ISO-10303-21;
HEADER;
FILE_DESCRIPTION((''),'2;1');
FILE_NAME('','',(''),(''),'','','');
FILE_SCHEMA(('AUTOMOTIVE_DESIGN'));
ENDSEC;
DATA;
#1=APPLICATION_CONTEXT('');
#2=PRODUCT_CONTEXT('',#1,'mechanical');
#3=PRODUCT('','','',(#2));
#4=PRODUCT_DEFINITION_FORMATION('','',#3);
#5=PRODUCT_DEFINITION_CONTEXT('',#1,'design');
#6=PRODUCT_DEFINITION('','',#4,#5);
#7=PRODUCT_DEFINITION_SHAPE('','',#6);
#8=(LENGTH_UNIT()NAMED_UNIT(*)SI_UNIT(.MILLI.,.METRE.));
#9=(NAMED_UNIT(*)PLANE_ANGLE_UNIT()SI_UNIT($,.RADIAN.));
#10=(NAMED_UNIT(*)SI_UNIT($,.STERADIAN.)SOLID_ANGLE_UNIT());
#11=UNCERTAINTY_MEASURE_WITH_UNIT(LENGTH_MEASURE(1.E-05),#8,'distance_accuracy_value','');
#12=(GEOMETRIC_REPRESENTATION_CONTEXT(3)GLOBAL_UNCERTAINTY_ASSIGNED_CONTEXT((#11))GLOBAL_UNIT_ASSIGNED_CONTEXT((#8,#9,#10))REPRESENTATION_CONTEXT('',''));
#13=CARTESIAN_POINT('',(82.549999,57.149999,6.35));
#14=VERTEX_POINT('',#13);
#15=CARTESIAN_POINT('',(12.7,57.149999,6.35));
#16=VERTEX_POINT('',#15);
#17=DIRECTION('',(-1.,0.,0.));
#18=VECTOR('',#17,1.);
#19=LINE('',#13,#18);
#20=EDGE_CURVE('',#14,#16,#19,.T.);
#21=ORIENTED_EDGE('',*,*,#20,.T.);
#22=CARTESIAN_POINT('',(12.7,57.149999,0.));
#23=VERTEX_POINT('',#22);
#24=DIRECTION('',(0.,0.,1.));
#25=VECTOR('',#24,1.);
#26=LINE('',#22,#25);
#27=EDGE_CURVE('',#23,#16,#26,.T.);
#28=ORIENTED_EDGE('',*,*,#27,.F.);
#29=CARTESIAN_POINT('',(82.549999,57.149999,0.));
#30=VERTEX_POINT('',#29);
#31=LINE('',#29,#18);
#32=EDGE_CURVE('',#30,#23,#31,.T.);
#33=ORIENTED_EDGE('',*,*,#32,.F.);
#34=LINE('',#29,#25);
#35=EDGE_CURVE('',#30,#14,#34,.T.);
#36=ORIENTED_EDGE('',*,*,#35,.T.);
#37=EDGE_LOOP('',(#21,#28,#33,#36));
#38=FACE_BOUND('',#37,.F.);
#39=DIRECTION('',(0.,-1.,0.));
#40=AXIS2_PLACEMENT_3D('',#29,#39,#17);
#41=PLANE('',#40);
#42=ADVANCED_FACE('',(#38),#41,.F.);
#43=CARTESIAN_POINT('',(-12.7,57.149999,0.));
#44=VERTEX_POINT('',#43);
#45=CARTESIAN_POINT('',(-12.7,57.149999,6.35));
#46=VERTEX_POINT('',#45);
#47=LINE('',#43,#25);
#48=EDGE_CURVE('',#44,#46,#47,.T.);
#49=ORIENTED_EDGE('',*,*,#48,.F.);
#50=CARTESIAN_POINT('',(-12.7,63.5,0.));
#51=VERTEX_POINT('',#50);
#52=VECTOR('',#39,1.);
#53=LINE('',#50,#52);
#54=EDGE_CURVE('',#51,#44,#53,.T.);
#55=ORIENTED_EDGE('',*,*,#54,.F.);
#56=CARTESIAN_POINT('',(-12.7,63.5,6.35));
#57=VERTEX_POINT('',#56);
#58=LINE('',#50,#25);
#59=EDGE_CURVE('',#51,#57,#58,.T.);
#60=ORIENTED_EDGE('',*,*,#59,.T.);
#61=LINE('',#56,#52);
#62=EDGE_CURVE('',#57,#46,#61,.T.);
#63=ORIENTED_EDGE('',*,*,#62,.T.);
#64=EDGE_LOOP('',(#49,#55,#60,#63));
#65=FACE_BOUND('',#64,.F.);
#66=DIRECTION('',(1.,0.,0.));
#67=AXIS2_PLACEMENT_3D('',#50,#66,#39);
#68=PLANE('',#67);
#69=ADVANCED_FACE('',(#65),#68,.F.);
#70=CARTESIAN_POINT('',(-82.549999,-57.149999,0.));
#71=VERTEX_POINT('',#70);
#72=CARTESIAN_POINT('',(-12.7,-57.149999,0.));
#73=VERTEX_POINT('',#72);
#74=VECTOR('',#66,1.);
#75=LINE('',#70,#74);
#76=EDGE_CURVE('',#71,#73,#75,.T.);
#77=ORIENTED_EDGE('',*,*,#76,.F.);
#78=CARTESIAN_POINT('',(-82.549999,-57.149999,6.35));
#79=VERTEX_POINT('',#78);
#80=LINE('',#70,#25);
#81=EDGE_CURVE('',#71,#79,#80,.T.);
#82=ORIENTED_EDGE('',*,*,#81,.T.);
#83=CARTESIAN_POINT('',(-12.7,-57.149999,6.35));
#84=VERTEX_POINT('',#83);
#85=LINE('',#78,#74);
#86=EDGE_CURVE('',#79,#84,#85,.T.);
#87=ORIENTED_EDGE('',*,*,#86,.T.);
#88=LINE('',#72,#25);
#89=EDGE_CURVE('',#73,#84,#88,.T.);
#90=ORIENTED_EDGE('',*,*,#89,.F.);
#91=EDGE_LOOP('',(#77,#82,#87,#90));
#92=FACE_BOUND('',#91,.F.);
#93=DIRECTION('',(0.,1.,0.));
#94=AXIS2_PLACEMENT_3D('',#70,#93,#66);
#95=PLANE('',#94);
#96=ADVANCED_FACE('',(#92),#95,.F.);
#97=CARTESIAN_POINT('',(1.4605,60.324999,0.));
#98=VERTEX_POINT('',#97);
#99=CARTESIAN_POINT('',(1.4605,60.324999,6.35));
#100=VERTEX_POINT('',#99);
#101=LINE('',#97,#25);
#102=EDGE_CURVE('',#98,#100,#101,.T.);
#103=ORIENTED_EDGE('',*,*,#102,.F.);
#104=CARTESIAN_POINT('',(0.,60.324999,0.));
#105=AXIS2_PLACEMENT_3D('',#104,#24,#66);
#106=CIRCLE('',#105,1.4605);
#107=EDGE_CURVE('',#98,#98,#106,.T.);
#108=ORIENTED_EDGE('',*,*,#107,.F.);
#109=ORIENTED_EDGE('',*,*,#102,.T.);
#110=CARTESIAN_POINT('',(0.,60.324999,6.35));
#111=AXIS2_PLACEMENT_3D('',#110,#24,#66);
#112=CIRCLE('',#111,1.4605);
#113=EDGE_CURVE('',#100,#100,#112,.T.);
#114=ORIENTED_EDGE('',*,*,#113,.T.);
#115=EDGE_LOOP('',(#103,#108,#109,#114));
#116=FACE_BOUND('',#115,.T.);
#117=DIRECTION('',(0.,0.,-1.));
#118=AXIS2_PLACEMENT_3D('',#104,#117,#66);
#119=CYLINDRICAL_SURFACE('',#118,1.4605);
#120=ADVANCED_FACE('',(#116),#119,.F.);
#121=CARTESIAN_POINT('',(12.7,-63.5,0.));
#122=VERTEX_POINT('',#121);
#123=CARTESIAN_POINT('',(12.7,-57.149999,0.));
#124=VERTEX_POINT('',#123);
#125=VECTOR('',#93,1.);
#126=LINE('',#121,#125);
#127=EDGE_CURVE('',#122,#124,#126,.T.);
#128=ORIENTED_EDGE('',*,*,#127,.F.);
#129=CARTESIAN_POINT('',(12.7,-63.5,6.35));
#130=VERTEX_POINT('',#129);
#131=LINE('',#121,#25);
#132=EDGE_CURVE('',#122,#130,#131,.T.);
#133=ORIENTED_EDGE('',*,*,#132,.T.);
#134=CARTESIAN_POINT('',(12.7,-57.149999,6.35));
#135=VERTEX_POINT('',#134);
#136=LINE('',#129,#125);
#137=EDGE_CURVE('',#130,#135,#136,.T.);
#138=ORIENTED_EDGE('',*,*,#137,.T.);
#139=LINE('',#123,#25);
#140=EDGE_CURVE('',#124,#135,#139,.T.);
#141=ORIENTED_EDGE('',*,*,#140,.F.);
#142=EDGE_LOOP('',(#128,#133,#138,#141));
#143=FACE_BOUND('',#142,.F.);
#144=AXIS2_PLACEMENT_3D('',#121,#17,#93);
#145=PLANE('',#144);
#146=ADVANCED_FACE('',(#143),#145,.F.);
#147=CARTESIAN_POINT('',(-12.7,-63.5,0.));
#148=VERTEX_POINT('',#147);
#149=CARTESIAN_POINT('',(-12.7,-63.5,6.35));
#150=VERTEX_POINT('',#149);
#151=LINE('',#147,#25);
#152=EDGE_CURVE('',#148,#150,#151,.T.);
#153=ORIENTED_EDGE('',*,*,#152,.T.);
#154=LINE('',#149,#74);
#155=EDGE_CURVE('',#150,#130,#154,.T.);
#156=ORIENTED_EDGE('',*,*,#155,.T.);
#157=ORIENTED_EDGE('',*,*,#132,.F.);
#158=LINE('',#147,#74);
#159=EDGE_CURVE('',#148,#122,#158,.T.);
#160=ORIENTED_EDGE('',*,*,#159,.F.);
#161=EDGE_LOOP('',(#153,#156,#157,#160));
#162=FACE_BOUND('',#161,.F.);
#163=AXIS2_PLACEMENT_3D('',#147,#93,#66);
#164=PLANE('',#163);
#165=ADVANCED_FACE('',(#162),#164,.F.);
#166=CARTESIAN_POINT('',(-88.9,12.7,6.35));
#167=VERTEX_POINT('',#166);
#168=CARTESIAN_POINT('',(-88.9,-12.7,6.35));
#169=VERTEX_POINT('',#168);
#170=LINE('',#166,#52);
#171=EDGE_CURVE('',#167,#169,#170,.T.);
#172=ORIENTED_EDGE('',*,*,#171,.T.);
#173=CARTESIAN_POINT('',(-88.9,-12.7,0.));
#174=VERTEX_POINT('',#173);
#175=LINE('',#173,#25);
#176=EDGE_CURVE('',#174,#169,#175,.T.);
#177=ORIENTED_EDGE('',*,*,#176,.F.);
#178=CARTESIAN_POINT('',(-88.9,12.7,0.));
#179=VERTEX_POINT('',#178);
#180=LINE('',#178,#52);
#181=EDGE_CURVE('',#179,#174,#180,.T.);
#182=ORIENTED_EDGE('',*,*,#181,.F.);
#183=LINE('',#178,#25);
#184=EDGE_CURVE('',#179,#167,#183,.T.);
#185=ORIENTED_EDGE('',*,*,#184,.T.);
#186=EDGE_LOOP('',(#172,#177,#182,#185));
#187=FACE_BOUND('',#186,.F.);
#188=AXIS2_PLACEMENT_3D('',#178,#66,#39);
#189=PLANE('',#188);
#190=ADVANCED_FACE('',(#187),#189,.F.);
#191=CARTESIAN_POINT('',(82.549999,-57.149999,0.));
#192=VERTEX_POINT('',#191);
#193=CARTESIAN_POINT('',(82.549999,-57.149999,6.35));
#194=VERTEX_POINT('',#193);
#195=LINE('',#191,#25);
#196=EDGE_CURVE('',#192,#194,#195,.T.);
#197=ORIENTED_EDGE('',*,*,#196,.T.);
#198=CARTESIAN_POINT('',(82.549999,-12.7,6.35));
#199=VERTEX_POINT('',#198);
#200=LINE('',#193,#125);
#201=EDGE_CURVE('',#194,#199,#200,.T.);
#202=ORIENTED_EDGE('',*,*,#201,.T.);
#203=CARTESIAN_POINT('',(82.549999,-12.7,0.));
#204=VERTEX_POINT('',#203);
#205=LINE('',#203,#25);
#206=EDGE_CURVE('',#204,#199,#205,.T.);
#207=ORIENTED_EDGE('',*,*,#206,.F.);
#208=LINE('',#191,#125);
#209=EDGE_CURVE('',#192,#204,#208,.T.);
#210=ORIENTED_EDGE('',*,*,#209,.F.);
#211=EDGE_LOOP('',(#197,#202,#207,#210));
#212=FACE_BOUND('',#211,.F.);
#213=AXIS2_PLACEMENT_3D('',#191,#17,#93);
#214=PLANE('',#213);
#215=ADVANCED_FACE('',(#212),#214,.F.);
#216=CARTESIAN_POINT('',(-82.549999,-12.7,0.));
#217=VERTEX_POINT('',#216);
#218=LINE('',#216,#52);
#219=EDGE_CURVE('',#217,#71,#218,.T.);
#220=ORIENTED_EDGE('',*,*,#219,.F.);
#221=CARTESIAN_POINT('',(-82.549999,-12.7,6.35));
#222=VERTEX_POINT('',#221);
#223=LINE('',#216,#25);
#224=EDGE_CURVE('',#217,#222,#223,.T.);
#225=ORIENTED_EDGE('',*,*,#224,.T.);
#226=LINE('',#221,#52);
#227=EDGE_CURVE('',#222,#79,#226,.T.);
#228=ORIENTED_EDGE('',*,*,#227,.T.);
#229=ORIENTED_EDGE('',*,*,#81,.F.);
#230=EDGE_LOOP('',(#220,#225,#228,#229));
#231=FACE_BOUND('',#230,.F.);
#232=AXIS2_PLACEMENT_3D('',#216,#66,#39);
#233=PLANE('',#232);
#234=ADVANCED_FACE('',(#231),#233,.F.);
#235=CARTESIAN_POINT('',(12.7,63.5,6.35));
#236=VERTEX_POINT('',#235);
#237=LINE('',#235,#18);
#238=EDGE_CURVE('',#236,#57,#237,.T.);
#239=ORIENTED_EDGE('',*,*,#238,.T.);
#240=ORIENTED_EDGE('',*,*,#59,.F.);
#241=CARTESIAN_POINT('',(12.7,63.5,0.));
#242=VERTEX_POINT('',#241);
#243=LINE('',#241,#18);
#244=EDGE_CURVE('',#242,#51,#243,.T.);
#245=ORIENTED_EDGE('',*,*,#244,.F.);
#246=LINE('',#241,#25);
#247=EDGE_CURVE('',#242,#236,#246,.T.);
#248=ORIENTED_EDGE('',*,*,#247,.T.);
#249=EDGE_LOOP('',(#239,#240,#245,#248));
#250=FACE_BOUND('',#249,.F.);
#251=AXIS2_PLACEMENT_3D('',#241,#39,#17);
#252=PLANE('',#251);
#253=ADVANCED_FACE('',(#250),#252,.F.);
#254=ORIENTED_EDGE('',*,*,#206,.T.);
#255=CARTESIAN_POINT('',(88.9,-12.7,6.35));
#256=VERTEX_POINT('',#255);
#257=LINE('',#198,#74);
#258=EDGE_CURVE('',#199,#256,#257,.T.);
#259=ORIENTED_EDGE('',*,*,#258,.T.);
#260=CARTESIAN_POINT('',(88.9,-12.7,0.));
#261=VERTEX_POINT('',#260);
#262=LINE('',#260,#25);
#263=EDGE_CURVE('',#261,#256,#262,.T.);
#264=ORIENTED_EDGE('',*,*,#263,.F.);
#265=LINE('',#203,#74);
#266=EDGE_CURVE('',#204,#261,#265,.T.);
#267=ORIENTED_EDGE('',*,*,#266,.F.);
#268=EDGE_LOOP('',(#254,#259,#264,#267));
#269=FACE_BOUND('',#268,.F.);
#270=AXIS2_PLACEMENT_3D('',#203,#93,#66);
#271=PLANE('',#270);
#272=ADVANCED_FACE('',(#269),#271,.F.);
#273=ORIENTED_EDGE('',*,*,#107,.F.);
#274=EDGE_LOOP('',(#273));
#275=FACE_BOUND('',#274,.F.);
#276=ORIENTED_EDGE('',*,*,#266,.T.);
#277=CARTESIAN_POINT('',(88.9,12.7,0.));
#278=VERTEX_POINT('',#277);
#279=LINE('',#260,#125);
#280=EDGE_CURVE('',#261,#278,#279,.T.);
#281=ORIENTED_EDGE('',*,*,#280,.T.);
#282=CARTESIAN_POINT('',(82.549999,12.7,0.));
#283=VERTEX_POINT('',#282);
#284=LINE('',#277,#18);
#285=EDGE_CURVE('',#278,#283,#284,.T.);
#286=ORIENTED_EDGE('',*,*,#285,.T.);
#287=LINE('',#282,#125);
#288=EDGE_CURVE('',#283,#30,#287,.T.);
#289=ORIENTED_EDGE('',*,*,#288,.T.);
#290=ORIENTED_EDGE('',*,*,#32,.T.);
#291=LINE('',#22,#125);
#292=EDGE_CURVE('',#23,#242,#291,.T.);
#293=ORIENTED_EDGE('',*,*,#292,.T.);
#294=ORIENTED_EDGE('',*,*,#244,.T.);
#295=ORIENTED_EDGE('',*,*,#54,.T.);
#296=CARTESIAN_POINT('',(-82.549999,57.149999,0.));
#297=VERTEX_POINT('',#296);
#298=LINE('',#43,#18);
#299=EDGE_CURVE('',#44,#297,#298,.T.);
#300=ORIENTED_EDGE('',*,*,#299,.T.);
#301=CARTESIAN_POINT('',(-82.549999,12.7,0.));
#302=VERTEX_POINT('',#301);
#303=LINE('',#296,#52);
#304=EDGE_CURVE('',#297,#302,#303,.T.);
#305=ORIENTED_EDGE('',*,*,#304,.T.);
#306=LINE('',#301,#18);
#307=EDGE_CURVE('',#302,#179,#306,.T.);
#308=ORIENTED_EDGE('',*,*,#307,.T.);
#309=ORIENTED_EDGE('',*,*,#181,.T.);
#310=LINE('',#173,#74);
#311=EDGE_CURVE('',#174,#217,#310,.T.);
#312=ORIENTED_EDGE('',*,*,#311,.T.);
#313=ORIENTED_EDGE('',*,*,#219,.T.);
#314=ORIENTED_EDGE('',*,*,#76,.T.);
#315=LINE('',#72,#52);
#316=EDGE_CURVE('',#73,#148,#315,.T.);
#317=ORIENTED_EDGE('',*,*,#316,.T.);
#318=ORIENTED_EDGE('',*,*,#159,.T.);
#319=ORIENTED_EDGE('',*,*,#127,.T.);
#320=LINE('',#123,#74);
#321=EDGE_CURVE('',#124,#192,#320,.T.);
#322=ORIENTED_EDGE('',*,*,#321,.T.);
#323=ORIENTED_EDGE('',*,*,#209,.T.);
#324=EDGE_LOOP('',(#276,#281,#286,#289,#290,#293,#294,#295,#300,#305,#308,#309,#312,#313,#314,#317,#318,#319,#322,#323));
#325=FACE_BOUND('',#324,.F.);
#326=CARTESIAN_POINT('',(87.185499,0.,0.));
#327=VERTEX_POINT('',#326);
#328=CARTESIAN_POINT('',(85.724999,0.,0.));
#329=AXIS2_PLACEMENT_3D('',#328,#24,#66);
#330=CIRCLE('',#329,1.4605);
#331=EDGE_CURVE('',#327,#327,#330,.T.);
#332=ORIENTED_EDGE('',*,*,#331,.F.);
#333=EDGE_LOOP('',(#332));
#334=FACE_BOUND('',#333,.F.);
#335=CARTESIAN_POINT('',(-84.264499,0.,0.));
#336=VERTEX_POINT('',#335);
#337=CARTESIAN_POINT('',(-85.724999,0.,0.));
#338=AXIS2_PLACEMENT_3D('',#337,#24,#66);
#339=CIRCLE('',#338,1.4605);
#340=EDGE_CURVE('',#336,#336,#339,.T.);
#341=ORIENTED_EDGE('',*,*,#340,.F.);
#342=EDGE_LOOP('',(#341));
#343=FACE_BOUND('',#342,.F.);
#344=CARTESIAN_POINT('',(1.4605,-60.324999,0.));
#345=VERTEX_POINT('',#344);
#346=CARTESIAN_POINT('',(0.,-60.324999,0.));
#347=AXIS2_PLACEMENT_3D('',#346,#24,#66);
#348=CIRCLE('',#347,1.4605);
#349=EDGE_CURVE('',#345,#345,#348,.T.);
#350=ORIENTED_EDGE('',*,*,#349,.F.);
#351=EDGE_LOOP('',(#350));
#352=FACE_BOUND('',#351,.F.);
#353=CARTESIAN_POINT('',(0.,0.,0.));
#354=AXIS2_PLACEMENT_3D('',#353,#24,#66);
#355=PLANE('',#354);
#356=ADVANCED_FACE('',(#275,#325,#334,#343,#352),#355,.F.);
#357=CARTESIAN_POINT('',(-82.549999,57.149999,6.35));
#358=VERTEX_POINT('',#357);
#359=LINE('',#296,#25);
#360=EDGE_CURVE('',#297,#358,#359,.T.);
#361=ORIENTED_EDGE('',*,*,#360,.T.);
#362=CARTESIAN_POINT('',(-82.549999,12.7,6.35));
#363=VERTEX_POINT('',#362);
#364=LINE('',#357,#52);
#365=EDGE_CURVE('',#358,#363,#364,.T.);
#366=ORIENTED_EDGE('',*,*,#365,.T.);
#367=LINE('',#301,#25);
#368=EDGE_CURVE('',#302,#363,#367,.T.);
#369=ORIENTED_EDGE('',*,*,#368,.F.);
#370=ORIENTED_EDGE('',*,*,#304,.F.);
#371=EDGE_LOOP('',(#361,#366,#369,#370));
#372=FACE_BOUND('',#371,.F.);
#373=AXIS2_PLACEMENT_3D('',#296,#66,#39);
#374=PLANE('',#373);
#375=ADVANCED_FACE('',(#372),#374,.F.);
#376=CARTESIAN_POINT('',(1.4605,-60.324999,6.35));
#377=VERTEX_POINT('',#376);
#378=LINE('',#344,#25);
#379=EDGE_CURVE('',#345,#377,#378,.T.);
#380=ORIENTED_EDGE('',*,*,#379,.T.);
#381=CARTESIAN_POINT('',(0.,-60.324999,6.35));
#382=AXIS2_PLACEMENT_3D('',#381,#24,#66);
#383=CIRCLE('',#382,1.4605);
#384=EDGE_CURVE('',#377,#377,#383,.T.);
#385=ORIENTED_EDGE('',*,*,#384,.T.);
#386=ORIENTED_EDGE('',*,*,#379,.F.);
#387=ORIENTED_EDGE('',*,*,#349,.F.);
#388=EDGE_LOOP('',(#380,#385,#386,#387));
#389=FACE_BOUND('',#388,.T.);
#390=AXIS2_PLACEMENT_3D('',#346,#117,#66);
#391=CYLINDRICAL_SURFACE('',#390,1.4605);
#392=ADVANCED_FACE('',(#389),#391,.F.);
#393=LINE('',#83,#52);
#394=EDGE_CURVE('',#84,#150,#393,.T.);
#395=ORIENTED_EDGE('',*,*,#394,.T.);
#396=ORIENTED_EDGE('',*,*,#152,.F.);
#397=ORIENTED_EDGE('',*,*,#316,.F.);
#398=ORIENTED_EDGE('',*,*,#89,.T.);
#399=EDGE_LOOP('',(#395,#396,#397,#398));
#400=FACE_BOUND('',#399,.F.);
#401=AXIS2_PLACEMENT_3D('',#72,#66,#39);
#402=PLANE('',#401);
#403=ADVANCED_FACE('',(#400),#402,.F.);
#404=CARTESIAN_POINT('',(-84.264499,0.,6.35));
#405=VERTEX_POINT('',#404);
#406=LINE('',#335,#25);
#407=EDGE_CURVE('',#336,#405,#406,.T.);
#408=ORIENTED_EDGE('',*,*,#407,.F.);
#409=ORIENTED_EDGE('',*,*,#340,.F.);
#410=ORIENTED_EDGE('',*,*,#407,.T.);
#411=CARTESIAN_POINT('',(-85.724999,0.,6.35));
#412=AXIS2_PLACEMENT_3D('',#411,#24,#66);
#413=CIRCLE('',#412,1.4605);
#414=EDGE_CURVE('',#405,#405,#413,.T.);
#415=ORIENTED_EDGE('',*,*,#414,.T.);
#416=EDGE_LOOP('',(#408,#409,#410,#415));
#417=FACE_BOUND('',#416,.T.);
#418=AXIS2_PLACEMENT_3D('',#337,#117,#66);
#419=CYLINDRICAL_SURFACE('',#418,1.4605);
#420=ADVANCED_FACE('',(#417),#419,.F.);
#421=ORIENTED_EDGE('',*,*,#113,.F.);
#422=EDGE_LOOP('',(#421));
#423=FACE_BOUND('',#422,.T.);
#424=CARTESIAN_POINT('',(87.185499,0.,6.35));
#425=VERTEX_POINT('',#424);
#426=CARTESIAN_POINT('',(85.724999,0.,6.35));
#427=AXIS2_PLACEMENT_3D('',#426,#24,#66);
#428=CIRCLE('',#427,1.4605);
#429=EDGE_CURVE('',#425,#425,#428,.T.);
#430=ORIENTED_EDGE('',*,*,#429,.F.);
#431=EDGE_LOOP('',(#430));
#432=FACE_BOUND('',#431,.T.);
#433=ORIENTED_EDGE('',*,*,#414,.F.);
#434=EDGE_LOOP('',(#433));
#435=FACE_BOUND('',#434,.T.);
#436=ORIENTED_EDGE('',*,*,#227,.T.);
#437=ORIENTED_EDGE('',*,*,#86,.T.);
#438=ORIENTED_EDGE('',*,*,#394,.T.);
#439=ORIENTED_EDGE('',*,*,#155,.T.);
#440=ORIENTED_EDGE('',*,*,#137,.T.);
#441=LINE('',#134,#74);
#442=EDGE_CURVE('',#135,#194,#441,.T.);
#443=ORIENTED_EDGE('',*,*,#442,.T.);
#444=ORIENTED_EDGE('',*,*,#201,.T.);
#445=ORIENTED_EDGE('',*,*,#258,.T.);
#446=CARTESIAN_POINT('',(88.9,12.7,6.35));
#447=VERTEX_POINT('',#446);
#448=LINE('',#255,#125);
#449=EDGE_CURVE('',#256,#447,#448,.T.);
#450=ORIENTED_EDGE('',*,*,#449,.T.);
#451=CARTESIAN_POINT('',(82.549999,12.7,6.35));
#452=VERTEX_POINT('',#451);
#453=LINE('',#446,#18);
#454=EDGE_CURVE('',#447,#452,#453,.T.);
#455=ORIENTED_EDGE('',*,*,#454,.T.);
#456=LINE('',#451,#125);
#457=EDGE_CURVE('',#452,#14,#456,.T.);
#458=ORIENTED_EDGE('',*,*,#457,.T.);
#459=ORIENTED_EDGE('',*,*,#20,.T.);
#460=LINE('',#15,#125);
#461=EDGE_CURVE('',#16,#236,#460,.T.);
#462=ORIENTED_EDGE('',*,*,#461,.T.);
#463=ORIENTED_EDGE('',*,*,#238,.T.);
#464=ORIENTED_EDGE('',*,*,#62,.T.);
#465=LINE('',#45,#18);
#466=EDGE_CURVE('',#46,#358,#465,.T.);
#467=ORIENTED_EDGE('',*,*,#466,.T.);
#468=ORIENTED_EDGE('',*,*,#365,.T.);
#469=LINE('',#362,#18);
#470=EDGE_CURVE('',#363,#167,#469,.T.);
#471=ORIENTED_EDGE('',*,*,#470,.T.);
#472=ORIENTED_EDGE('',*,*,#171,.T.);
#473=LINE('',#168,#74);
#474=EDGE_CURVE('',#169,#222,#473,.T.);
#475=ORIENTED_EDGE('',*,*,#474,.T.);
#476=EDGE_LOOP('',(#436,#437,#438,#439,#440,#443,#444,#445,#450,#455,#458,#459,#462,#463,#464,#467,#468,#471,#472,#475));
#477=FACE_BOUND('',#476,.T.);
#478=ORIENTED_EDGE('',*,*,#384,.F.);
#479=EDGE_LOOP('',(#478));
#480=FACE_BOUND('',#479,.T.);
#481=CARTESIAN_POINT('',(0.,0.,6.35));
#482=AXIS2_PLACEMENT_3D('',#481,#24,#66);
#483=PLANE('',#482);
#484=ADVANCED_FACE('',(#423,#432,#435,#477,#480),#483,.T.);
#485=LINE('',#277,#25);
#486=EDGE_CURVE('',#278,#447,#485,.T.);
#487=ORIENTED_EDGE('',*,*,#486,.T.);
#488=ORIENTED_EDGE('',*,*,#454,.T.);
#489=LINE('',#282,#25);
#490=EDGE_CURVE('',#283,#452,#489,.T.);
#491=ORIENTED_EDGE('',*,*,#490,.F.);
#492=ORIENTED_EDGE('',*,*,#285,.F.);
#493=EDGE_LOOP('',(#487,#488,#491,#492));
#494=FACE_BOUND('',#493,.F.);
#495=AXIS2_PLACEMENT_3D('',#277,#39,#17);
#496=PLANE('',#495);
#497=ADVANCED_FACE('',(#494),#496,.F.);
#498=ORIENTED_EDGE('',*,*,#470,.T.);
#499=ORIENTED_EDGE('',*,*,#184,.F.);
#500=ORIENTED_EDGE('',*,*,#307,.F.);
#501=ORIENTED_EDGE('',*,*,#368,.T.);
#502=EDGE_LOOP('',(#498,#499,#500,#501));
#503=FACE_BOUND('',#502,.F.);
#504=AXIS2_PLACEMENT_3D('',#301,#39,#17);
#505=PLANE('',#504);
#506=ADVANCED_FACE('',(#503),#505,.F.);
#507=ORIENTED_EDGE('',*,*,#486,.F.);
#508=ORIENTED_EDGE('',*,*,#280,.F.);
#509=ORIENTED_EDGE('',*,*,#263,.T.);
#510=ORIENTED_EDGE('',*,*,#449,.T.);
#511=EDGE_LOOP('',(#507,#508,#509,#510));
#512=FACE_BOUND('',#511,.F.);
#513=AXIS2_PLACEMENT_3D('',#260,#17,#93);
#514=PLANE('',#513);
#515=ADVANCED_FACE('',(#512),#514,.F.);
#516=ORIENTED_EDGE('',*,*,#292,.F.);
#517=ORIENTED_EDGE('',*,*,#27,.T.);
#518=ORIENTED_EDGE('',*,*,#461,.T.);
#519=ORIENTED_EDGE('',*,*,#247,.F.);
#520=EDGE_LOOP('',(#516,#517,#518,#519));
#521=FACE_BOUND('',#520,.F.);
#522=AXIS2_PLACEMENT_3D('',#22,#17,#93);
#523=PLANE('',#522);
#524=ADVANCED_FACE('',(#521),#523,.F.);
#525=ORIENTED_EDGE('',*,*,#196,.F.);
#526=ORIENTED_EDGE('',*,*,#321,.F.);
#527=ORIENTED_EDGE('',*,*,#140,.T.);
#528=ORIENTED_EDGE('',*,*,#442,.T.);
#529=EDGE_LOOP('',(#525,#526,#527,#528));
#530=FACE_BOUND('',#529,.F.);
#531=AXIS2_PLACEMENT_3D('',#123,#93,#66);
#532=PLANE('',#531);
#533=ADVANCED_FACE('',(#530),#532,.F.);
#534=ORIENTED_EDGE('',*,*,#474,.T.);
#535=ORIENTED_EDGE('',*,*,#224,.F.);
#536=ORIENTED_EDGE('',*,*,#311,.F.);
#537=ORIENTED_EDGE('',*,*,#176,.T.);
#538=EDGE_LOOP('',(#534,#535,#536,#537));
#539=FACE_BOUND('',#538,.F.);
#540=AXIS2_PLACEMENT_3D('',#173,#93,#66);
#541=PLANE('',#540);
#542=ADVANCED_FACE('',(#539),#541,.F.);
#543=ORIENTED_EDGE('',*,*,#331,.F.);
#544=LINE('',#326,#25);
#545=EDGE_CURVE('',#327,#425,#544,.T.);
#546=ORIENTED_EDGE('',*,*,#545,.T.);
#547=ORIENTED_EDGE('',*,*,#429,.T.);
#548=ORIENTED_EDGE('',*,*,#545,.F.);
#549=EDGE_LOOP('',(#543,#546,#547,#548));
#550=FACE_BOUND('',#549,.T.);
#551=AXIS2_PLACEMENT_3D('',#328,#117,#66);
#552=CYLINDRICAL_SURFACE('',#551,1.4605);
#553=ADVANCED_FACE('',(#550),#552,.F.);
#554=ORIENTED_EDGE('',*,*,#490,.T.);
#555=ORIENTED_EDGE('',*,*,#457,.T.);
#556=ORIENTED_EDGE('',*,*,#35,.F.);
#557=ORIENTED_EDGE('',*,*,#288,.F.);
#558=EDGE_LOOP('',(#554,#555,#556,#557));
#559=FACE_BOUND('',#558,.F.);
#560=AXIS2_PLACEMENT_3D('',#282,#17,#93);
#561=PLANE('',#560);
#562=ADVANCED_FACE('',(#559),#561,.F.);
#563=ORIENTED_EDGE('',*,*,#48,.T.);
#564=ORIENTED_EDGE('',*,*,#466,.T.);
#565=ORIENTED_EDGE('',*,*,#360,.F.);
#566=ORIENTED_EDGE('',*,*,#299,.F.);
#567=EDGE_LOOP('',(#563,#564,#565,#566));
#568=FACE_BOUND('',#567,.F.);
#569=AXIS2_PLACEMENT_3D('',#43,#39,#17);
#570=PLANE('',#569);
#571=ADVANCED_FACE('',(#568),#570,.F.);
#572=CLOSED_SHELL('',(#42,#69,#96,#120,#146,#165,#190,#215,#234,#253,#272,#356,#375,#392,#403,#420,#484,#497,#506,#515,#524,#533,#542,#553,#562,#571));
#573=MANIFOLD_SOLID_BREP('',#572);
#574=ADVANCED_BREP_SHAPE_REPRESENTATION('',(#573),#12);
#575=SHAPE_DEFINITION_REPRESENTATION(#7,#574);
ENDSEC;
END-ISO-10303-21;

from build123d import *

# Parameters (mm, degrees)
F0_R     = 1.4605
F1_DEPTH = 6.35


with BuildPart() as f1:
    # F0 (on Top) → F1 (new body)
    with BuildSketch(Plane.XY):
        Polygon((-12.7, -63.5), (12.7, -63.5), (12.7, -57.149999), (82.549999, -57.149999), (82.549999, -12.7), (88.9, -12.7), (88.9, 12.7), (82.549999, 12.7), (82.549999, 57.149999), (12.7, 57.149999), (12.7, 63.5), (-12.7, 63.5), (-12.7, 57.149999), (-82.549999, 57.149999), (-82.549999, 12.7), (-88.9, 12.7), (-88.9, -12.7), (-82.549999, -12.7), (-82.549999, -57.149999), (-12.7, -57.149999), align=None)
        with Locations((0, -60.324999)):
            Circle(F0_R, mode=Mode.SUBTRACT)
        with Locations((-85.724999, 0)):
            Circle(F0_R, mode=Mode.SUBTRACT)
        with Locations((85.724999, 0)):
            Circle(F0_R, mode=Mode.SUBTRACT)
        with Locations((0, 60.324999)):
            Circle(F0_R, mode=Mode.SUBTRACT)
    extrude(amount=F1_DEPTH)


solid = f1.part
